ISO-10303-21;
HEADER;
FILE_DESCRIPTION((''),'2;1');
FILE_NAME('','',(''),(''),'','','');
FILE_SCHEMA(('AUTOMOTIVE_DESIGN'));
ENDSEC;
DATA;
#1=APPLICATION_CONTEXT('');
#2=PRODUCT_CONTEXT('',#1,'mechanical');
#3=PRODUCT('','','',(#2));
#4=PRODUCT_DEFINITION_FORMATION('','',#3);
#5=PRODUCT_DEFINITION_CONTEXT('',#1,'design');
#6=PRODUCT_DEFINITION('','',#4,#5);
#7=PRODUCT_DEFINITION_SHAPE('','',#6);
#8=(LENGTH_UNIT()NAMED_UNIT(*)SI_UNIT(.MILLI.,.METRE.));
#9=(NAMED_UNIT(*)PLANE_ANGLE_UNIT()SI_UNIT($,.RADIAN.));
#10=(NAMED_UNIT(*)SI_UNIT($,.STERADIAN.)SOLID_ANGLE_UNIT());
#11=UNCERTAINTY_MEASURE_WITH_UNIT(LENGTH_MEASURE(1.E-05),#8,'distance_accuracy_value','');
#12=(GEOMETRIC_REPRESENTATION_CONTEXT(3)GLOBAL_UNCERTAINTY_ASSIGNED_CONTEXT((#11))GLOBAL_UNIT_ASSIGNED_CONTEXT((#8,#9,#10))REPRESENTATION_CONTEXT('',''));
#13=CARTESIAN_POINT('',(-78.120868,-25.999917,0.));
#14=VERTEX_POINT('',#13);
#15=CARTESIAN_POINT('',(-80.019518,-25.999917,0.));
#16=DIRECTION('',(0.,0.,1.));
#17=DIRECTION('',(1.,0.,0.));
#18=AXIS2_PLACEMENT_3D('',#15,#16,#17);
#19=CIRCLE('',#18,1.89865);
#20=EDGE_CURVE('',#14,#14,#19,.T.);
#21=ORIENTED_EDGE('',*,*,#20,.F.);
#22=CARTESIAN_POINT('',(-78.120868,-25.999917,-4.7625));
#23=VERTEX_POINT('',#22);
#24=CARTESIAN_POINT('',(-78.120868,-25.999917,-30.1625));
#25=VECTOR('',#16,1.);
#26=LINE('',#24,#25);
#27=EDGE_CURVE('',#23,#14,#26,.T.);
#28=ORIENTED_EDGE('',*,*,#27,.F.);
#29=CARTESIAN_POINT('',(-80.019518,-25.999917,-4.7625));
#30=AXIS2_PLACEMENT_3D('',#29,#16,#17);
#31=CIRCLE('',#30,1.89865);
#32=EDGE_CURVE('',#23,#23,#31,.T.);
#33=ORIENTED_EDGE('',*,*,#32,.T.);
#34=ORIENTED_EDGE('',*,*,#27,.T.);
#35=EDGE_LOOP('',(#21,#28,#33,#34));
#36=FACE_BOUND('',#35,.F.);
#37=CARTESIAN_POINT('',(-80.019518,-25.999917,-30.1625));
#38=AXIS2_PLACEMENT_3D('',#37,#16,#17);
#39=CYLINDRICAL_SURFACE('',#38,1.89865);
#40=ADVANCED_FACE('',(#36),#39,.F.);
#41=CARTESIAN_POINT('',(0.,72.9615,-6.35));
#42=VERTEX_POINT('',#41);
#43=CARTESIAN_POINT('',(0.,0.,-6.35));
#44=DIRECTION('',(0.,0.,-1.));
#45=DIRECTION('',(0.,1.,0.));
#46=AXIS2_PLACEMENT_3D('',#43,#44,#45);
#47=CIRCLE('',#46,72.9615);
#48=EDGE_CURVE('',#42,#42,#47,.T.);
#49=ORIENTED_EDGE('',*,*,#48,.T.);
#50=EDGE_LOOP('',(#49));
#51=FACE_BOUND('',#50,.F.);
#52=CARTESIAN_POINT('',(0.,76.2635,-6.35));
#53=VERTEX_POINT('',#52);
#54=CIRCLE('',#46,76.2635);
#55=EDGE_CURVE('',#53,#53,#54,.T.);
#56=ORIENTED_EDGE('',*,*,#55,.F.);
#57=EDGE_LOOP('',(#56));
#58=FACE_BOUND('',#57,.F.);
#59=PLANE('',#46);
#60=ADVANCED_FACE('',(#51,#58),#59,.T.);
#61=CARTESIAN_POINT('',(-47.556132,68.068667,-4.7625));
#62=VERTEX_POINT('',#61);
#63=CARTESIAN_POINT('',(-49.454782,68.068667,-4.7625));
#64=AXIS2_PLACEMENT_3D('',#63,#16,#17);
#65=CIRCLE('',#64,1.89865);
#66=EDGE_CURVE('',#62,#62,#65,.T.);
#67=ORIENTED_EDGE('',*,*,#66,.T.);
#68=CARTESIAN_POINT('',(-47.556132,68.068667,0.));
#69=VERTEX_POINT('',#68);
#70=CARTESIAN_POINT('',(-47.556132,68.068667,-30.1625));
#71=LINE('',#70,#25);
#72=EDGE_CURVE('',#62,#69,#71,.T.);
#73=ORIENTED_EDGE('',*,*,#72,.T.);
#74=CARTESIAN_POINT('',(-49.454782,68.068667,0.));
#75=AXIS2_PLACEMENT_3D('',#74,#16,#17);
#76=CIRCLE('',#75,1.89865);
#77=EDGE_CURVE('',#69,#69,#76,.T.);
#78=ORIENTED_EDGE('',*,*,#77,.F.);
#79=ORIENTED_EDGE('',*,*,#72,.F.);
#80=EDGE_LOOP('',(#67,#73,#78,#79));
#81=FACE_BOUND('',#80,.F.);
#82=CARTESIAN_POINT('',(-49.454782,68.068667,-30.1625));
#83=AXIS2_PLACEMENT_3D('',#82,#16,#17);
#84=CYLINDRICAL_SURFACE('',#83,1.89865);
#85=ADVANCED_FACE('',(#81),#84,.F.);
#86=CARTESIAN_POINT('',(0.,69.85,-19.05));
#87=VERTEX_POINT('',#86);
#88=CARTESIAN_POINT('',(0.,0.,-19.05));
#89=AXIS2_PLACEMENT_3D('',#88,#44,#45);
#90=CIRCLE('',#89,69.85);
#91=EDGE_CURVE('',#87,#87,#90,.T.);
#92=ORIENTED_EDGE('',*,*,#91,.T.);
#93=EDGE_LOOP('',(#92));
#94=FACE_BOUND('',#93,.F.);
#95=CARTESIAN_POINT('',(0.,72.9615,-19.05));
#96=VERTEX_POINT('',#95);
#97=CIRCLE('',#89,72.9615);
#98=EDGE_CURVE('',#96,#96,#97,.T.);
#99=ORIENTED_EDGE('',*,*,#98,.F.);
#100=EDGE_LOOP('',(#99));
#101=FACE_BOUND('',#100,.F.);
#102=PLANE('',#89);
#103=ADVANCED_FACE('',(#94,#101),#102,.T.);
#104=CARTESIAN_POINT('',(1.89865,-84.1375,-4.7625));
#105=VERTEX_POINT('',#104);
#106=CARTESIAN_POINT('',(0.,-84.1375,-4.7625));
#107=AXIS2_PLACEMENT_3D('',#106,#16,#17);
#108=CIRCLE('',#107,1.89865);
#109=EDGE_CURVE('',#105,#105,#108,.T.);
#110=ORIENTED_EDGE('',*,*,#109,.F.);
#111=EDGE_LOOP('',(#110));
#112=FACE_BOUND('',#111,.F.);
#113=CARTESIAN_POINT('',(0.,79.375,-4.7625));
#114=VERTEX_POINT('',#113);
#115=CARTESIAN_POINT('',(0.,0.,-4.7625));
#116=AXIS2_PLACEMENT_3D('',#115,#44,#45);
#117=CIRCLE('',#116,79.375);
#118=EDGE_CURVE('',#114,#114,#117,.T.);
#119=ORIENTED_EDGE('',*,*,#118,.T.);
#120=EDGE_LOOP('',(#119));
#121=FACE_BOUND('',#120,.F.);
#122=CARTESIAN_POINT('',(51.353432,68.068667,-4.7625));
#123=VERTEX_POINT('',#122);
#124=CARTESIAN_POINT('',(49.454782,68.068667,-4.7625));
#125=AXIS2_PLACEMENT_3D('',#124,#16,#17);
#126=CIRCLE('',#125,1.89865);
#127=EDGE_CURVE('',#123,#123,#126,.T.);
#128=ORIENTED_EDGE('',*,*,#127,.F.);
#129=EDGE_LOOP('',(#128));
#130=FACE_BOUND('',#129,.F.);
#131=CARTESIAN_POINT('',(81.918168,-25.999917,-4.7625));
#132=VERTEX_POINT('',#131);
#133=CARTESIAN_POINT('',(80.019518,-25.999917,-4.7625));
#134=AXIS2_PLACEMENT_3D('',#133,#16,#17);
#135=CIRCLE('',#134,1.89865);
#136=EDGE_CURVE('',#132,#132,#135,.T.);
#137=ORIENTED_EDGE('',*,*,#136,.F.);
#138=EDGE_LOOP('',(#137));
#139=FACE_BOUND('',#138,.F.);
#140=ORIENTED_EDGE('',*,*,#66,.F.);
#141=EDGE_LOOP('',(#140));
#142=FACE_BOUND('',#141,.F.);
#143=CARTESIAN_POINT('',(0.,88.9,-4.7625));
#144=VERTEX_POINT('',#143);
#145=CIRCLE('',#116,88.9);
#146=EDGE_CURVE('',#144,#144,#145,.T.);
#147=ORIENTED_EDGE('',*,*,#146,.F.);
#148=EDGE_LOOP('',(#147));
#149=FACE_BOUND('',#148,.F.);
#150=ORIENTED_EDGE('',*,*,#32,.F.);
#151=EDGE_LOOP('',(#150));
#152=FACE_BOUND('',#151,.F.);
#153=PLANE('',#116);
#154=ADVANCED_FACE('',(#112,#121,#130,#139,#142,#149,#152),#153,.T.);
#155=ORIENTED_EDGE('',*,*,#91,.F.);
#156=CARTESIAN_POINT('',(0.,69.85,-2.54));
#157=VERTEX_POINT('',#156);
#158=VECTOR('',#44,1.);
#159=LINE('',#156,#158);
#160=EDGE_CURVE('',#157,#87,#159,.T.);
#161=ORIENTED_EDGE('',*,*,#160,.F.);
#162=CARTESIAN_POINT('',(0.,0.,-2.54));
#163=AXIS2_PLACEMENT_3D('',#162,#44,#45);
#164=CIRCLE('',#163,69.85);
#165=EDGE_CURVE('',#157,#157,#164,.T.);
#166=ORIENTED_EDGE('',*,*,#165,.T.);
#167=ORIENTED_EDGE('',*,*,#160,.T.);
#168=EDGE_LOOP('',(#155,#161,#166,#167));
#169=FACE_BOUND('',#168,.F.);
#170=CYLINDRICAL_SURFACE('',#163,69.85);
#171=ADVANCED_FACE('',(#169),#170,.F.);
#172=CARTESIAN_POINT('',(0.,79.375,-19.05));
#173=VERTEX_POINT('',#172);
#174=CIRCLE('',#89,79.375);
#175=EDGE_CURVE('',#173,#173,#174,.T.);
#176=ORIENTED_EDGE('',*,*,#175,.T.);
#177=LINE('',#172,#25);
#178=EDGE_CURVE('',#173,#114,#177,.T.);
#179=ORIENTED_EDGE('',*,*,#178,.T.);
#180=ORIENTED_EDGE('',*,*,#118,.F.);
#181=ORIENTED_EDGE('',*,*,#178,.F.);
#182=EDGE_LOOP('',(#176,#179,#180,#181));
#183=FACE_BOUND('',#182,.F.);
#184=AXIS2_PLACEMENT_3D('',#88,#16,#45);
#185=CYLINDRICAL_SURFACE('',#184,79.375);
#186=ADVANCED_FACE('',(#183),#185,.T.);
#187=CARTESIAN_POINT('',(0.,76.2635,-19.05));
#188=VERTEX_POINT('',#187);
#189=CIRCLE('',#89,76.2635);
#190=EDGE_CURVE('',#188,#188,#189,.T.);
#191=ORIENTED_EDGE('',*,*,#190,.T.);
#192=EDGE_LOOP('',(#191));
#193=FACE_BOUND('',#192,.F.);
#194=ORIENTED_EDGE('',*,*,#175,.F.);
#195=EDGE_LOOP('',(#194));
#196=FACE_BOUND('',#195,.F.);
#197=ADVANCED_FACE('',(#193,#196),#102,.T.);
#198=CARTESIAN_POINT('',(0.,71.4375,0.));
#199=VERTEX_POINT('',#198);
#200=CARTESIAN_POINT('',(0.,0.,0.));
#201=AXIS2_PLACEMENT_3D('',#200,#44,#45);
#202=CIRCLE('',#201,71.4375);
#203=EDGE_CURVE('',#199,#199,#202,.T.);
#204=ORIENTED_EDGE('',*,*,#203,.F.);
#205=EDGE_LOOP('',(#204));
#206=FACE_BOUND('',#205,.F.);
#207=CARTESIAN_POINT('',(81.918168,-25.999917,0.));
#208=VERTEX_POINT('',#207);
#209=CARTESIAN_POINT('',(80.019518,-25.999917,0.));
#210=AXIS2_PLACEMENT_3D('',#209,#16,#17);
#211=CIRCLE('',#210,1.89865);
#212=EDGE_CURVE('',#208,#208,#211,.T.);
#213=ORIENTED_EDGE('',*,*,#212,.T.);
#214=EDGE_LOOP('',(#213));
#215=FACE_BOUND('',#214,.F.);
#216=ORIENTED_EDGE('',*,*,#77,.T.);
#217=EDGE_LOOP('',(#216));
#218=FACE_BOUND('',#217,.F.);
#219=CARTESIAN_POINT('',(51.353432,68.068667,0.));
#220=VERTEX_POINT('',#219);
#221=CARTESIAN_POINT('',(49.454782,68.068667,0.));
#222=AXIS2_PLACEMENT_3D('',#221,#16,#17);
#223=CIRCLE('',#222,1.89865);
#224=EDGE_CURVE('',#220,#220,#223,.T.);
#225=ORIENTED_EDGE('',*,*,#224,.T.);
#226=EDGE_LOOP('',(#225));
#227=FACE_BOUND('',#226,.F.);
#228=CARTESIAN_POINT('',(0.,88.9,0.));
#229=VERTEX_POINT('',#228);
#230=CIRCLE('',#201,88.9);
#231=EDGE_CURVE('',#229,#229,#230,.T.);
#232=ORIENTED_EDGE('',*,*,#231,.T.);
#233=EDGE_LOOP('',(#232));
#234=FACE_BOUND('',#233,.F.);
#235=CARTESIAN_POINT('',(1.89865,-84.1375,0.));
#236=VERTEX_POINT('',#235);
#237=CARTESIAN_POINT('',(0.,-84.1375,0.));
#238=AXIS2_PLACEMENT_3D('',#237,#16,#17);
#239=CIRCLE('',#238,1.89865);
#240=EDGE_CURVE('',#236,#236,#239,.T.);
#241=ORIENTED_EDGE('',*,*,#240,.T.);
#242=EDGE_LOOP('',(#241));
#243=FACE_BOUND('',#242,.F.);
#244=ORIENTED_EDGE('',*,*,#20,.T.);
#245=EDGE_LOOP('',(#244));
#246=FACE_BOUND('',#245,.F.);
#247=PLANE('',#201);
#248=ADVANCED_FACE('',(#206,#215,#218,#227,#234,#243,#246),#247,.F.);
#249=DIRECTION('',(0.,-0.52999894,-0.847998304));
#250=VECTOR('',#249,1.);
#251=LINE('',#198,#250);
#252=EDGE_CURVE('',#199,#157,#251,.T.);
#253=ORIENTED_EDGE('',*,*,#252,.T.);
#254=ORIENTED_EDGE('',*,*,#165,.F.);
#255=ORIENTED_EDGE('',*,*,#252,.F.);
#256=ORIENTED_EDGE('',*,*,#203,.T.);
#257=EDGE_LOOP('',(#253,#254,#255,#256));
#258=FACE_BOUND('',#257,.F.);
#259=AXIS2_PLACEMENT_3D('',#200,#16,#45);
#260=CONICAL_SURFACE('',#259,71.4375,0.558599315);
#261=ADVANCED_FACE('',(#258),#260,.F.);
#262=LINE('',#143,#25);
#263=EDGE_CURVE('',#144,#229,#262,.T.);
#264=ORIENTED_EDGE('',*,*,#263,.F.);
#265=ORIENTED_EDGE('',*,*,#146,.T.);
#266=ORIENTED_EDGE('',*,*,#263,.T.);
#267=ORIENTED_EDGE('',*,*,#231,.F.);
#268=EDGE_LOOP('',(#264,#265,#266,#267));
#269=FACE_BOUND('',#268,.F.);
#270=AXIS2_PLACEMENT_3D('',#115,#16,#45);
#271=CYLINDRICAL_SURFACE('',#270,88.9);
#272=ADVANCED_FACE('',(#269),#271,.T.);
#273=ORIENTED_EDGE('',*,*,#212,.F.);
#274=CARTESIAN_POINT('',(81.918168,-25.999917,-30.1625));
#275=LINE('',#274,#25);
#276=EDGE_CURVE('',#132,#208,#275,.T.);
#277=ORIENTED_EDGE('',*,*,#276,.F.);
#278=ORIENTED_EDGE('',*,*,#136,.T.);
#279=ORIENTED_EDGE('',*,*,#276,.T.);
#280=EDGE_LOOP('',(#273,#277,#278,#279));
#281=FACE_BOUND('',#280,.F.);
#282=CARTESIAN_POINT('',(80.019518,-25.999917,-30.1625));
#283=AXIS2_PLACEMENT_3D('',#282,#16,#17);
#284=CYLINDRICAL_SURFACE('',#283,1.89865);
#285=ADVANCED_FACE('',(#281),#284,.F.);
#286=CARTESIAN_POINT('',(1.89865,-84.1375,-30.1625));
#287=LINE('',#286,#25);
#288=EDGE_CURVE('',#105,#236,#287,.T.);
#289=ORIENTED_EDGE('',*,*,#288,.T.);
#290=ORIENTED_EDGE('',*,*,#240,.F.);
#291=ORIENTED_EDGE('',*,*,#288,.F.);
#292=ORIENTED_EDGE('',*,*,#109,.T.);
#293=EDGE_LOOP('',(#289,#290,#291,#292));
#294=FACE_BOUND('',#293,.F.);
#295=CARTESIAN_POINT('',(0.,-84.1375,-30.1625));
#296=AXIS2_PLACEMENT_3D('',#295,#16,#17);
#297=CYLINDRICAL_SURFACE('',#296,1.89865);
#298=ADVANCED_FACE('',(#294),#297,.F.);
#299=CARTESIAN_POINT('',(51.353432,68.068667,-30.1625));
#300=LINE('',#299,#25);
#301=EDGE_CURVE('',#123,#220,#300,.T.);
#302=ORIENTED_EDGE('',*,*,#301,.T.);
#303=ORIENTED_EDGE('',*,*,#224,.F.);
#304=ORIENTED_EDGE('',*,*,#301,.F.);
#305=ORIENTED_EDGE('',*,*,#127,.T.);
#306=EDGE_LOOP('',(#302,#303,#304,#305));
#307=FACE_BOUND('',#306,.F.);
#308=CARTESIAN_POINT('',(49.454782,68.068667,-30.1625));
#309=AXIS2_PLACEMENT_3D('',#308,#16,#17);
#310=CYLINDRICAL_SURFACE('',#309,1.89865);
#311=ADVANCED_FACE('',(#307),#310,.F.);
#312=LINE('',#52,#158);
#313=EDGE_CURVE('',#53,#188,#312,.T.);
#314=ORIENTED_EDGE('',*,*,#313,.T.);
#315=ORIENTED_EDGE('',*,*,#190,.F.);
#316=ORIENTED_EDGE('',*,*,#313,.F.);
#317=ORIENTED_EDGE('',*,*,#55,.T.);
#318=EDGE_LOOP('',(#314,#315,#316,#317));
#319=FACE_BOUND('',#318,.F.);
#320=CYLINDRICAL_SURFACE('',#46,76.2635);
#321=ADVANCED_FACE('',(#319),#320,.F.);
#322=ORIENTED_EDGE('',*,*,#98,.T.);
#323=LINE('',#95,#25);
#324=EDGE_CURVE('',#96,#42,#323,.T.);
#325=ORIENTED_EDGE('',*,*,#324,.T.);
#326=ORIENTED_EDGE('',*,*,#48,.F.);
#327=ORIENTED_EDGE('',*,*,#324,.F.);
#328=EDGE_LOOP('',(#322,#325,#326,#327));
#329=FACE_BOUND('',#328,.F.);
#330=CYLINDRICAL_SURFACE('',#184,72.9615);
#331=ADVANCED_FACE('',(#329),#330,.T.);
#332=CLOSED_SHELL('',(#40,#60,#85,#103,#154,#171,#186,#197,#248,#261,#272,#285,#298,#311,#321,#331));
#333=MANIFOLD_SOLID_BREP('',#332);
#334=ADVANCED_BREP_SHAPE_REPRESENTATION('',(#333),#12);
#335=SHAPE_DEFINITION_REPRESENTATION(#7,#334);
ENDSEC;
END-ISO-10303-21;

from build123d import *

# Parameters (mm, degrees)
F_6_CLEARANCE_HOLE1_D     = 3.7973
F_6_CLEARANCE_HOLE1_DEPTH = 25.4
F_6_CLEARANCE_HOLE1_TIP   = 1.140824014


with BuildPart() as part:
    # Sketch2 → Revolve1 (revolve)
    with BuildSketch(Plane(origin=(0, 0, 0), x_dir=(0, 0, -1), z_dir=(1, 0, 0))):
        Polygon((0, 71.4375), (2.54, 69.85), (19.05, 69.85), (19.05, 72.9615), (6.35, 72.9615), (6.35, 76.2635), (19.05, 76.2635), (19.05, 79.375), (4.7625, 79.375), (4.7625, 88.9), (0, 88.9), align=None)
    revolve(axis=Axis((0, 0, 0), (0, 0, -1)))

    # #6 Clearance Hole1
    with Locations(Plane(origin=(0, 0, -4.7625), x_dir=(-1, 0, 0), z_dir=(0, 0, -1))):
        with Locations((0, -84.1375), (80.01951764, -25.999917364), (49.454781665, 68.068667364), (-80.01951764, -25.999917364), (-49.454781665, 68.068667364)):
            Hole(F_6_CLEARANCE_HOLE1_D / 2, depth=F_6_CLEARANCE_HOLE1_DEPTH)
            with Locations((0, 0, -(F_6_CLEARANCE_HOLE1_DEPTH + F_6_CLEARANCE_HOLE1_TIP / 2))):  # 118° drill point
                Cone(0, F_6_CLEARANCE_HOLE1_D / 2, F_6_CLEARANCE_HOLE1_TIP, mode=Mode.SUBTRACT)


solid = part.part
